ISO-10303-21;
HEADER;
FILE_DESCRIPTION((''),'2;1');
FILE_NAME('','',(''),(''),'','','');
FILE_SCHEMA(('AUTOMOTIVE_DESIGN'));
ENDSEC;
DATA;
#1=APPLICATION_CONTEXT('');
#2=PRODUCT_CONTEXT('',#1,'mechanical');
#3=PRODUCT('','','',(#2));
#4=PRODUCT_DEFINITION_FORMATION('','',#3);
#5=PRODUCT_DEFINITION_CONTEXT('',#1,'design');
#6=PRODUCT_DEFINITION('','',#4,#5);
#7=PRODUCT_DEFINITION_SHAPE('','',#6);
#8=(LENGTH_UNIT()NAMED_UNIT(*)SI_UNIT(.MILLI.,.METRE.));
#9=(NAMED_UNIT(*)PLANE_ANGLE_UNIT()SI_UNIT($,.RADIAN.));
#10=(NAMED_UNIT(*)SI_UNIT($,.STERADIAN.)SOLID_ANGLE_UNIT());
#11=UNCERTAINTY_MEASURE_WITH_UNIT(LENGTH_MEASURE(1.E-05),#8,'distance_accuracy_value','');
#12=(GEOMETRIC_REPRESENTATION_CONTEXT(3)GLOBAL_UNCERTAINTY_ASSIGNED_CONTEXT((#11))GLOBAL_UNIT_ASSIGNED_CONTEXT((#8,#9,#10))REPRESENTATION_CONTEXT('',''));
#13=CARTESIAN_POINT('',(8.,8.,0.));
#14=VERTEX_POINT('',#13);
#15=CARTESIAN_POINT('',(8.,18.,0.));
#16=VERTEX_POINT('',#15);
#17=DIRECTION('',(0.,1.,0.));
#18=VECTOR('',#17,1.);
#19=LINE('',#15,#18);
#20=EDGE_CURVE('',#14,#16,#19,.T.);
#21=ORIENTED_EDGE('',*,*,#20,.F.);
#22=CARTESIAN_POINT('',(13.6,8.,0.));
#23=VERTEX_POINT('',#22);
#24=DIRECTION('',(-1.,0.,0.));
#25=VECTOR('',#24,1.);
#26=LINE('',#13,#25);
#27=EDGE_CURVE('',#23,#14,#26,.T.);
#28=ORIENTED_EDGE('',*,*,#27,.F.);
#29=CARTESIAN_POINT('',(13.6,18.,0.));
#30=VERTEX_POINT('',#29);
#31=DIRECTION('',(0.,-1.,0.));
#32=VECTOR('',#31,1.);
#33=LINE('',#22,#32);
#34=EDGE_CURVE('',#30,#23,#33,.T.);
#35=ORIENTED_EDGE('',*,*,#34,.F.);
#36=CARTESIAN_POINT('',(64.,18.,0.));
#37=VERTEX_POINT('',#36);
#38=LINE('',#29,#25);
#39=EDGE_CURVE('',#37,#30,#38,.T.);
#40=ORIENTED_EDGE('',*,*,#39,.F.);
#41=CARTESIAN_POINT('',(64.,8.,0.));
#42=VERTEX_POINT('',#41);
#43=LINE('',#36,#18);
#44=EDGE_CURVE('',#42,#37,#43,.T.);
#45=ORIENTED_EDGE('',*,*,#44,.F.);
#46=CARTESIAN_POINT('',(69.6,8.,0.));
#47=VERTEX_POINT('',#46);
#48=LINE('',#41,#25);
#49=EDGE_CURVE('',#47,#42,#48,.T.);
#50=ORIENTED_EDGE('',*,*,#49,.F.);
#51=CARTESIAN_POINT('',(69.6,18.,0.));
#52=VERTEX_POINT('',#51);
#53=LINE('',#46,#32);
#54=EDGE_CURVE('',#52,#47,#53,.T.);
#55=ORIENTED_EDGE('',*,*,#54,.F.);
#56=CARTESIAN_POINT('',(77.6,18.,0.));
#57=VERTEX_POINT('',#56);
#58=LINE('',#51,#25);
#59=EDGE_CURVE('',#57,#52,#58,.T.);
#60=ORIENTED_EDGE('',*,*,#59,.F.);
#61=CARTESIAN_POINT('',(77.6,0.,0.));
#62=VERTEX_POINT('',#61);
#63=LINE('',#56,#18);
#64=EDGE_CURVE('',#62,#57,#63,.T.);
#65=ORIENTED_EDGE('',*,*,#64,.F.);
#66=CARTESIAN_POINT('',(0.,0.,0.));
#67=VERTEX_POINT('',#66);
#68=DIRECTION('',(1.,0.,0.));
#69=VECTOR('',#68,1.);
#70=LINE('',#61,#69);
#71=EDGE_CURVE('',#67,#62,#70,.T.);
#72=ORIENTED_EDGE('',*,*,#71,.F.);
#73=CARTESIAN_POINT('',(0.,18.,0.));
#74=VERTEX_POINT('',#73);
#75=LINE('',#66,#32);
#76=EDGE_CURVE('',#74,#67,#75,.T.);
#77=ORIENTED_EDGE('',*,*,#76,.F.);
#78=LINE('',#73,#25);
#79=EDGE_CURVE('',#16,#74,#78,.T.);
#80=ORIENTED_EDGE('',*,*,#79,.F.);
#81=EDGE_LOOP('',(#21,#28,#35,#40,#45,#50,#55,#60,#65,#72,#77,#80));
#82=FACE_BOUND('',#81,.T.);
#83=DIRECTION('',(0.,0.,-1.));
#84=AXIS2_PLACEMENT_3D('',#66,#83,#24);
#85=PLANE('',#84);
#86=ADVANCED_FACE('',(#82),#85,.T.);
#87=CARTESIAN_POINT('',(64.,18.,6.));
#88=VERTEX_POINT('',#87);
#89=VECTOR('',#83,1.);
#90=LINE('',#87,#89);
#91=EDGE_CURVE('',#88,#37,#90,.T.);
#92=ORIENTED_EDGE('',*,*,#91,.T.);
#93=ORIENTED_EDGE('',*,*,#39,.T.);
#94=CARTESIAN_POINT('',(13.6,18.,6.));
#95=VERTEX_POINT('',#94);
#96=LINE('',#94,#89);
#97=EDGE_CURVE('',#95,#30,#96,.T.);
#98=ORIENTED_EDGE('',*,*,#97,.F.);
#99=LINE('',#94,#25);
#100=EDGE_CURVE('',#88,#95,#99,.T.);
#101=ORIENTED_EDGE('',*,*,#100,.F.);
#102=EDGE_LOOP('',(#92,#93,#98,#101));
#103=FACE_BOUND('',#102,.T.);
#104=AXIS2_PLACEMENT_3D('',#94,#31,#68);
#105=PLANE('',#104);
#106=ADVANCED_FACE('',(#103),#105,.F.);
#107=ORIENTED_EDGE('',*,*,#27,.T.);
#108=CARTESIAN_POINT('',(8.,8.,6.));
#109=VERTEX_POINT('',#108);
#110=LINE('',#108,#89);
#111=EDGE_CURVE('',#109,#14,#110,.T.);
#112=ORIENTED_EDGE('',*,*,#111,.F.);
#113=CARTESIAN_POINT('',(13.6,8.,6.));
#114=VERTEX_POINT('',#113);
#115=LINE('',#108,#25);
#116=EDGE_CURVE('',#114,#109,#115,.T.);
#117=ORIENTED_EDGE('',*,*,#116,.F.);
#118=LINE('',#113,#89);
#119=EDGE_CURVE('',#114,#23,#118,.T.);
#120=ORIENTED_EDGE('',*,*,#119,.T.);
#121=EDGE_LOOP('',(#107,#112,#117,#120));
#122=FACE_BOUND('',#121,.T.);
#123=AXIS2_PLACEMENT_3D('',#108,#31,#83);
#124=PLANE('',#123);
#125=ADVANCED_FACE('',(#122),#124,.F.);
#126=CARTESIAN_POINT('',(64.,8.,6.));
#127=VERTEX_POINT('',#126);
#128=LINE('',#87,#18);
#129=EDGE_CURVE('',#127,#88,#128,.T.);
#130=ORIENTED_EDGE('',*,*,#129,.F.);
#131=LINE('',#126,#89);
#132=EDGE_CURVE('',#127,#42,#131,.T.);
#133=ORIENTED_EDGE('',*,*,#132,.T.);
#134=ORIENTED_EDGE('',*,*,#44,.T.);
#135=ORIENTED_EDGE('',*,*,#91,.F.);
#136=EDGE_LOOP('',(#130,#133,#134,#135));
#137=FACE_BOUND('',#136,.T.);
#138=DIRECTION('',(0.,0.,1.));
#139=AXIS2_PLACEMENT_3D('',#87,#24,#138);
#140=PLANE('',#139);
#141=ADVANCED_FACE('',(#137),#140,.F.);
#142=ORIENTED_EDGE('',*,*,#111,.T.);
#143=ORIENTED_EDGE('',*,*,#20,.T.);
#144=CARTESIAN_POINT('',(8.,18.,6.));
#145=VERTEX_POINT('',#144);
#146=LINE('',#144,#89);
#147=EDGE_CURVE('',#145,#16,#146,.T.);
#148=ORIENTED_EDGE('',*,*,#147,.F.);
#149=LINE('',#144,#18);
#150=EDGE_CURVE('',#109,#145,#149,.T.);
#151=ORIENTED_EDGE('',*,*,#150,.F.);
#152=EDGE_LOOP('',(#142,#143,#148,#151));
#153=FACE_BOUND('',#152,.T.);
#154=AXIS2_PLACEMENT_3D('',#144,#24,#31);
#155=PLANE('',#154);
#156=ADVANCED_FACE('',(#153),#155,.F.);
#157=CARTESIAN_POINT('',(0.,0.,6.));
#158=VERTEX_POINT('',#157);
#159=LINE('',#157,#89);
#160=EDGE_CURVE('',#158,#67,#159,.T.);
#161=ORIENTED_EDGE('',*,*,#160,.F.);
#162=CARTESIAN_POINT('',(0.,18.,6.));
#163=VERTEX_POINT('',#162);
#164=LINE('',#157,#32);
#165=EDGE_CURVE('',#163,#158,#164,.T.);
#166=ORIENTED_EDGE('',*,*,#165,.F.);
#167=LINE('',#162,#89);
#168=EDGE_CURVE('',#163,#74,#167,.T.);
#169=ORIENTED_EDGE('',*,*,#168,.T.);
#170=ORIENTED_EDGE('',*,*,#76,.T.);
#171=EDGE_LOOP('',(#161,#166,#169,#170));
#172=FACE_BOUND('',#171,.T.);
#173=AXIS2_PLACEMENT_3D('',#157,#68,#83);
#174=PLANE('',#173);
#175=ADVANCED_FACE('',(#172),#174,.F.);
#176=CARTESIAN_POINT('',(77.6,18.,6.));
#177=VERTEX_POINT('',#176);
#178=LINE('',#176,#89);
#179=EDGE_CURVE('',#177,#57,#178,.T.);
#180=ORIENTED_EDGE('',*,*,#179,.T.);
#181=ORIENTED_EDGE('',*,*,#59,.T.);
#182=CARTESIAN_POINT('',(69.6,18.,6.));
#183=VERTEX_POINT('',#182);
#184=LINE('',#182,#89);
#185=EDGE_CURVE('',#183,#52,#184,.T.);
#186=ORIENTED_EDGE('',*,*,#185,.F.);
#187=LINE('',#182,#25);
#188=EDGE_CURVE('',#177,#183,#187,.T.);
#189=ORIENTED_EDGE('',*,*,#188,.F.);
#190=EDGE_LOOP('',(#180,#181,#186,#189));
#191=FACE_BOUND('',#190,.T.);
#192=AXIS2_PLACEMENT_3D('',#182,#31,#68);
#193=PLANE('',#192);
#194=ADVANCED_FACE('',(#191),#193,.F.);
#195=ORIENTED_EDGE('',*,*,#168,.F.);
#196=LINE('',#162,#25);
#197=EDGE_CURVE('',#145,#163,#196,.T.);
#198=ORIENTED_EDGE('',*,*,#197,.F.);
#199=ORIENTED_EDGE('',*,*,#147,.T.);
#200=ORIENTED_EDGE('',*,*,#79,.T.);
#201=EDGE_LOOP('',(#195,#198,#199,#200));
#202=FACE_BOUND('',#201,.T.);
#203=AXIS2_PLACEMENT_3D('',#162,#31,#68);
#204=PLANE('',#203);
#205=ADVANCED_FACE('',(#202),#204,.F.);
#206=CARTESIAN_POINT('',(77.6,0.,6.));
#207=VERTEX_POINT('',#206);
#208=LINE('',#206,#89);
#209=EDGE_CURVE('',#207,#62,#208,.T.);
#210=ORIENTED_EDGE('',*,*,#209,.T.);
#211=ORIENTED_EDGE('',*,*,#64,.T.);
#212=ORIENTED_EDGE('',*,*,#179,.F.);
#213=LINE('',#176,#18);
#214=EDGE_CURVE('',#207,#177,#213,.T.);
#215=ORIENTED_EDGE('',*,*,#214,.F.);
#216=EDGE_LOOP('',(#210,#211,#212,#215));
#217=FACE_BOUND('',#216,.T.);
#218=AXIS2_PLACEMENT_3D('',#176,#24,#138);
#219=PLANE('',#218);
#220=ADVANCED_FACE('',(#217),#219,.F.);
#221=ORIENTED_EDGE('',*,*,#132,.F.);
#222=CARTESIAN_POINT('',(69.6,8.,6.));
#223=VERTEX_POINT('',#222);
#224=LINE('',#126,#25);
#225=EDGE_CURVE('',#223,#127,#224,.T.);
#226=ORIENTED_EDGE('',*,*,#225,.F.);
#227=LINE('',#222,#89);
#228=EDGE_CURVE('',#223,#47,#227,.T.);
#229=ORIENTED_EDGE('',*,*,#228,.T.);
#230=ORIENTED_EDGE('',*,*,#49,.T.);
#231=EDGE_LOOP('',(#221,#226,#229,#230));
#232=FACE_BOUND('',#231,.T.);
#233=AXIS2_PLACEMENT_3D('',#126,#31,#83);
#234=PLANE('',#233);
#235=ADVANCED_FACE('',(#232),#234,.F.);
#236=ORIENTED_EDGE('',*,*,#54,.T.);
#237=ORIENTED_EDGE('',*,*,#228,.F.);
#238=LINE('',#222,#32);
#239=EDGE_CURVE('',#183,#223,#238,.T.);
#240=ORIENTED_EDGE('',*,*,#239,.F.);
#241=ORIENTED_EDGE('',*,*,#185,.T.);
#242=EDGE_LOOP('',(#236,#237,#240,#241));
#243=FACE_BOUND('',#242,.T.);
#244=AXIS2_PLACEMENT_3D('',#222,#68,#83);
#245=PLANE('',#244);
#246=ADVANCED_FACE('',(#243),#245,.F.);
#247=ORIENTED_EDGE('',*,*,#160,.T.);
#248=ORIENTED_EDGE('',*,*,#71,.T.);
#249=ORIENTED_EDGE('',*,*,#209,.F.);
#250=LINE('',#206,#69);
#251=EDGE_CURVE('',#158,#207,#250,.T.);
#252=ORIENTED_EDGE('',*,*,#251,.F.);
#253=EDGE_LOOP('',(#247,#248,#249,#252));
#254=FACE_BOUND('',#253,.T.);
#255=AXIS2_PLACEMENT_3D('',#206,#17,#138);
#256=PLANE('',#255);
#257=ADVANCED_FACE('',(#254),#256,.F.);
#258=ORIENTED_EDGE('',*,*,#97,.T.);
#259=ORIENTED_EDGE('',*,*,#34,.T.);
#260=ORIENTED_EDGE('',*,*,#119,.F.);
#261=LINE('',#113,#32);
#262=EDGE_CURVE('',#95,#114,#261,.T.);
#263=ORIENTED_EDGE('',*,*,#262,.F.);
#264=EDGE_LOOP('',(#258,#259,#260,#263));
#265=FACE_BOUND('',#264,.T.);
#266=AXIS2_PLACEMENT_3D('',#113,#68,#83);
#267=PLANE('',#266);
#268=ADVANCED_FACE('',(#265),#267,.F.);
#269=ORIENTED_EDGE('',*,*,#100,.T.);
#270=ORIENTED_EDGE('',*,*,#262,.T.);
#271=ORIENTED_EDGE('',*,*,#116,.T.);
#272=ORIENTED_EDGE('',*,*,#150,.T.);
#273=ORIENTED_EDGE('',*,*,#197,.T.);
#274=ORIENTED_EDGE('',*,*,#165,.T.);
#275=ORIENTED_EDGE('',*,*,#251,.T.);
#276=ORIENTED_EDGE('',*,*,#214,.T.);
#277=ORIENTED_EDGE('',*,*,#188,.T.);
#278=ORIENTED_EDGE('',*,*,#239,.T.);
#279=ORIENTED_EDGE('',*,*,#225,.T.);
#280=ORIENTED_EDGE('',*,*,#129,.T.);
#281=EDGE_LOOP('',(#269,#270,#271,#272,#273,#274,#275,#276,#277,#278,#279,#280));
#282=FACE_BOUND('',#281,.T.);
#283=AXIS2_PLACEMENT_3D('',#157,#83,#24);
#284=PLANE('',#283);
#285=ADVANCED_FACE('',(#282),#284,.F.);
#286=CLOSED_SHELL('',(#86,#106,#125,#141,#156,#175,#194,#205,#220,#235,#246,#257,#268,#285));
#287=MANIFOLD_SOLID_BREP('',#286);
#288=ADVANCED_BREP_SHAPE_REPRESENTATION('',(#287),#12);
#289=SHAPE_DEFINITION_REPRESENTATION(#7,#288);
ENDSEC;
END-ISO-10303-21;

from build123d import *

# Parameters (mm, degrees)
BOSS_EXTRU_1_DEPTH = 6


with BuildPart() as part:
    # Esquisse1 → Boss.-Extru.1 (new body)
    with BuildSketch(Plane.XY):
        Polygon((0, 0), (0, 18), (8, 18), (8, 8), (13.6, 8), (13.6, 18), (64, 18), (64, 8), (69.6, 8), (69.6, 18), (77.6, 18), (77.6, 0), align=None)
    extrude(amount=BOSS_EXTRU_1_DEPTH)


solid = part.part
